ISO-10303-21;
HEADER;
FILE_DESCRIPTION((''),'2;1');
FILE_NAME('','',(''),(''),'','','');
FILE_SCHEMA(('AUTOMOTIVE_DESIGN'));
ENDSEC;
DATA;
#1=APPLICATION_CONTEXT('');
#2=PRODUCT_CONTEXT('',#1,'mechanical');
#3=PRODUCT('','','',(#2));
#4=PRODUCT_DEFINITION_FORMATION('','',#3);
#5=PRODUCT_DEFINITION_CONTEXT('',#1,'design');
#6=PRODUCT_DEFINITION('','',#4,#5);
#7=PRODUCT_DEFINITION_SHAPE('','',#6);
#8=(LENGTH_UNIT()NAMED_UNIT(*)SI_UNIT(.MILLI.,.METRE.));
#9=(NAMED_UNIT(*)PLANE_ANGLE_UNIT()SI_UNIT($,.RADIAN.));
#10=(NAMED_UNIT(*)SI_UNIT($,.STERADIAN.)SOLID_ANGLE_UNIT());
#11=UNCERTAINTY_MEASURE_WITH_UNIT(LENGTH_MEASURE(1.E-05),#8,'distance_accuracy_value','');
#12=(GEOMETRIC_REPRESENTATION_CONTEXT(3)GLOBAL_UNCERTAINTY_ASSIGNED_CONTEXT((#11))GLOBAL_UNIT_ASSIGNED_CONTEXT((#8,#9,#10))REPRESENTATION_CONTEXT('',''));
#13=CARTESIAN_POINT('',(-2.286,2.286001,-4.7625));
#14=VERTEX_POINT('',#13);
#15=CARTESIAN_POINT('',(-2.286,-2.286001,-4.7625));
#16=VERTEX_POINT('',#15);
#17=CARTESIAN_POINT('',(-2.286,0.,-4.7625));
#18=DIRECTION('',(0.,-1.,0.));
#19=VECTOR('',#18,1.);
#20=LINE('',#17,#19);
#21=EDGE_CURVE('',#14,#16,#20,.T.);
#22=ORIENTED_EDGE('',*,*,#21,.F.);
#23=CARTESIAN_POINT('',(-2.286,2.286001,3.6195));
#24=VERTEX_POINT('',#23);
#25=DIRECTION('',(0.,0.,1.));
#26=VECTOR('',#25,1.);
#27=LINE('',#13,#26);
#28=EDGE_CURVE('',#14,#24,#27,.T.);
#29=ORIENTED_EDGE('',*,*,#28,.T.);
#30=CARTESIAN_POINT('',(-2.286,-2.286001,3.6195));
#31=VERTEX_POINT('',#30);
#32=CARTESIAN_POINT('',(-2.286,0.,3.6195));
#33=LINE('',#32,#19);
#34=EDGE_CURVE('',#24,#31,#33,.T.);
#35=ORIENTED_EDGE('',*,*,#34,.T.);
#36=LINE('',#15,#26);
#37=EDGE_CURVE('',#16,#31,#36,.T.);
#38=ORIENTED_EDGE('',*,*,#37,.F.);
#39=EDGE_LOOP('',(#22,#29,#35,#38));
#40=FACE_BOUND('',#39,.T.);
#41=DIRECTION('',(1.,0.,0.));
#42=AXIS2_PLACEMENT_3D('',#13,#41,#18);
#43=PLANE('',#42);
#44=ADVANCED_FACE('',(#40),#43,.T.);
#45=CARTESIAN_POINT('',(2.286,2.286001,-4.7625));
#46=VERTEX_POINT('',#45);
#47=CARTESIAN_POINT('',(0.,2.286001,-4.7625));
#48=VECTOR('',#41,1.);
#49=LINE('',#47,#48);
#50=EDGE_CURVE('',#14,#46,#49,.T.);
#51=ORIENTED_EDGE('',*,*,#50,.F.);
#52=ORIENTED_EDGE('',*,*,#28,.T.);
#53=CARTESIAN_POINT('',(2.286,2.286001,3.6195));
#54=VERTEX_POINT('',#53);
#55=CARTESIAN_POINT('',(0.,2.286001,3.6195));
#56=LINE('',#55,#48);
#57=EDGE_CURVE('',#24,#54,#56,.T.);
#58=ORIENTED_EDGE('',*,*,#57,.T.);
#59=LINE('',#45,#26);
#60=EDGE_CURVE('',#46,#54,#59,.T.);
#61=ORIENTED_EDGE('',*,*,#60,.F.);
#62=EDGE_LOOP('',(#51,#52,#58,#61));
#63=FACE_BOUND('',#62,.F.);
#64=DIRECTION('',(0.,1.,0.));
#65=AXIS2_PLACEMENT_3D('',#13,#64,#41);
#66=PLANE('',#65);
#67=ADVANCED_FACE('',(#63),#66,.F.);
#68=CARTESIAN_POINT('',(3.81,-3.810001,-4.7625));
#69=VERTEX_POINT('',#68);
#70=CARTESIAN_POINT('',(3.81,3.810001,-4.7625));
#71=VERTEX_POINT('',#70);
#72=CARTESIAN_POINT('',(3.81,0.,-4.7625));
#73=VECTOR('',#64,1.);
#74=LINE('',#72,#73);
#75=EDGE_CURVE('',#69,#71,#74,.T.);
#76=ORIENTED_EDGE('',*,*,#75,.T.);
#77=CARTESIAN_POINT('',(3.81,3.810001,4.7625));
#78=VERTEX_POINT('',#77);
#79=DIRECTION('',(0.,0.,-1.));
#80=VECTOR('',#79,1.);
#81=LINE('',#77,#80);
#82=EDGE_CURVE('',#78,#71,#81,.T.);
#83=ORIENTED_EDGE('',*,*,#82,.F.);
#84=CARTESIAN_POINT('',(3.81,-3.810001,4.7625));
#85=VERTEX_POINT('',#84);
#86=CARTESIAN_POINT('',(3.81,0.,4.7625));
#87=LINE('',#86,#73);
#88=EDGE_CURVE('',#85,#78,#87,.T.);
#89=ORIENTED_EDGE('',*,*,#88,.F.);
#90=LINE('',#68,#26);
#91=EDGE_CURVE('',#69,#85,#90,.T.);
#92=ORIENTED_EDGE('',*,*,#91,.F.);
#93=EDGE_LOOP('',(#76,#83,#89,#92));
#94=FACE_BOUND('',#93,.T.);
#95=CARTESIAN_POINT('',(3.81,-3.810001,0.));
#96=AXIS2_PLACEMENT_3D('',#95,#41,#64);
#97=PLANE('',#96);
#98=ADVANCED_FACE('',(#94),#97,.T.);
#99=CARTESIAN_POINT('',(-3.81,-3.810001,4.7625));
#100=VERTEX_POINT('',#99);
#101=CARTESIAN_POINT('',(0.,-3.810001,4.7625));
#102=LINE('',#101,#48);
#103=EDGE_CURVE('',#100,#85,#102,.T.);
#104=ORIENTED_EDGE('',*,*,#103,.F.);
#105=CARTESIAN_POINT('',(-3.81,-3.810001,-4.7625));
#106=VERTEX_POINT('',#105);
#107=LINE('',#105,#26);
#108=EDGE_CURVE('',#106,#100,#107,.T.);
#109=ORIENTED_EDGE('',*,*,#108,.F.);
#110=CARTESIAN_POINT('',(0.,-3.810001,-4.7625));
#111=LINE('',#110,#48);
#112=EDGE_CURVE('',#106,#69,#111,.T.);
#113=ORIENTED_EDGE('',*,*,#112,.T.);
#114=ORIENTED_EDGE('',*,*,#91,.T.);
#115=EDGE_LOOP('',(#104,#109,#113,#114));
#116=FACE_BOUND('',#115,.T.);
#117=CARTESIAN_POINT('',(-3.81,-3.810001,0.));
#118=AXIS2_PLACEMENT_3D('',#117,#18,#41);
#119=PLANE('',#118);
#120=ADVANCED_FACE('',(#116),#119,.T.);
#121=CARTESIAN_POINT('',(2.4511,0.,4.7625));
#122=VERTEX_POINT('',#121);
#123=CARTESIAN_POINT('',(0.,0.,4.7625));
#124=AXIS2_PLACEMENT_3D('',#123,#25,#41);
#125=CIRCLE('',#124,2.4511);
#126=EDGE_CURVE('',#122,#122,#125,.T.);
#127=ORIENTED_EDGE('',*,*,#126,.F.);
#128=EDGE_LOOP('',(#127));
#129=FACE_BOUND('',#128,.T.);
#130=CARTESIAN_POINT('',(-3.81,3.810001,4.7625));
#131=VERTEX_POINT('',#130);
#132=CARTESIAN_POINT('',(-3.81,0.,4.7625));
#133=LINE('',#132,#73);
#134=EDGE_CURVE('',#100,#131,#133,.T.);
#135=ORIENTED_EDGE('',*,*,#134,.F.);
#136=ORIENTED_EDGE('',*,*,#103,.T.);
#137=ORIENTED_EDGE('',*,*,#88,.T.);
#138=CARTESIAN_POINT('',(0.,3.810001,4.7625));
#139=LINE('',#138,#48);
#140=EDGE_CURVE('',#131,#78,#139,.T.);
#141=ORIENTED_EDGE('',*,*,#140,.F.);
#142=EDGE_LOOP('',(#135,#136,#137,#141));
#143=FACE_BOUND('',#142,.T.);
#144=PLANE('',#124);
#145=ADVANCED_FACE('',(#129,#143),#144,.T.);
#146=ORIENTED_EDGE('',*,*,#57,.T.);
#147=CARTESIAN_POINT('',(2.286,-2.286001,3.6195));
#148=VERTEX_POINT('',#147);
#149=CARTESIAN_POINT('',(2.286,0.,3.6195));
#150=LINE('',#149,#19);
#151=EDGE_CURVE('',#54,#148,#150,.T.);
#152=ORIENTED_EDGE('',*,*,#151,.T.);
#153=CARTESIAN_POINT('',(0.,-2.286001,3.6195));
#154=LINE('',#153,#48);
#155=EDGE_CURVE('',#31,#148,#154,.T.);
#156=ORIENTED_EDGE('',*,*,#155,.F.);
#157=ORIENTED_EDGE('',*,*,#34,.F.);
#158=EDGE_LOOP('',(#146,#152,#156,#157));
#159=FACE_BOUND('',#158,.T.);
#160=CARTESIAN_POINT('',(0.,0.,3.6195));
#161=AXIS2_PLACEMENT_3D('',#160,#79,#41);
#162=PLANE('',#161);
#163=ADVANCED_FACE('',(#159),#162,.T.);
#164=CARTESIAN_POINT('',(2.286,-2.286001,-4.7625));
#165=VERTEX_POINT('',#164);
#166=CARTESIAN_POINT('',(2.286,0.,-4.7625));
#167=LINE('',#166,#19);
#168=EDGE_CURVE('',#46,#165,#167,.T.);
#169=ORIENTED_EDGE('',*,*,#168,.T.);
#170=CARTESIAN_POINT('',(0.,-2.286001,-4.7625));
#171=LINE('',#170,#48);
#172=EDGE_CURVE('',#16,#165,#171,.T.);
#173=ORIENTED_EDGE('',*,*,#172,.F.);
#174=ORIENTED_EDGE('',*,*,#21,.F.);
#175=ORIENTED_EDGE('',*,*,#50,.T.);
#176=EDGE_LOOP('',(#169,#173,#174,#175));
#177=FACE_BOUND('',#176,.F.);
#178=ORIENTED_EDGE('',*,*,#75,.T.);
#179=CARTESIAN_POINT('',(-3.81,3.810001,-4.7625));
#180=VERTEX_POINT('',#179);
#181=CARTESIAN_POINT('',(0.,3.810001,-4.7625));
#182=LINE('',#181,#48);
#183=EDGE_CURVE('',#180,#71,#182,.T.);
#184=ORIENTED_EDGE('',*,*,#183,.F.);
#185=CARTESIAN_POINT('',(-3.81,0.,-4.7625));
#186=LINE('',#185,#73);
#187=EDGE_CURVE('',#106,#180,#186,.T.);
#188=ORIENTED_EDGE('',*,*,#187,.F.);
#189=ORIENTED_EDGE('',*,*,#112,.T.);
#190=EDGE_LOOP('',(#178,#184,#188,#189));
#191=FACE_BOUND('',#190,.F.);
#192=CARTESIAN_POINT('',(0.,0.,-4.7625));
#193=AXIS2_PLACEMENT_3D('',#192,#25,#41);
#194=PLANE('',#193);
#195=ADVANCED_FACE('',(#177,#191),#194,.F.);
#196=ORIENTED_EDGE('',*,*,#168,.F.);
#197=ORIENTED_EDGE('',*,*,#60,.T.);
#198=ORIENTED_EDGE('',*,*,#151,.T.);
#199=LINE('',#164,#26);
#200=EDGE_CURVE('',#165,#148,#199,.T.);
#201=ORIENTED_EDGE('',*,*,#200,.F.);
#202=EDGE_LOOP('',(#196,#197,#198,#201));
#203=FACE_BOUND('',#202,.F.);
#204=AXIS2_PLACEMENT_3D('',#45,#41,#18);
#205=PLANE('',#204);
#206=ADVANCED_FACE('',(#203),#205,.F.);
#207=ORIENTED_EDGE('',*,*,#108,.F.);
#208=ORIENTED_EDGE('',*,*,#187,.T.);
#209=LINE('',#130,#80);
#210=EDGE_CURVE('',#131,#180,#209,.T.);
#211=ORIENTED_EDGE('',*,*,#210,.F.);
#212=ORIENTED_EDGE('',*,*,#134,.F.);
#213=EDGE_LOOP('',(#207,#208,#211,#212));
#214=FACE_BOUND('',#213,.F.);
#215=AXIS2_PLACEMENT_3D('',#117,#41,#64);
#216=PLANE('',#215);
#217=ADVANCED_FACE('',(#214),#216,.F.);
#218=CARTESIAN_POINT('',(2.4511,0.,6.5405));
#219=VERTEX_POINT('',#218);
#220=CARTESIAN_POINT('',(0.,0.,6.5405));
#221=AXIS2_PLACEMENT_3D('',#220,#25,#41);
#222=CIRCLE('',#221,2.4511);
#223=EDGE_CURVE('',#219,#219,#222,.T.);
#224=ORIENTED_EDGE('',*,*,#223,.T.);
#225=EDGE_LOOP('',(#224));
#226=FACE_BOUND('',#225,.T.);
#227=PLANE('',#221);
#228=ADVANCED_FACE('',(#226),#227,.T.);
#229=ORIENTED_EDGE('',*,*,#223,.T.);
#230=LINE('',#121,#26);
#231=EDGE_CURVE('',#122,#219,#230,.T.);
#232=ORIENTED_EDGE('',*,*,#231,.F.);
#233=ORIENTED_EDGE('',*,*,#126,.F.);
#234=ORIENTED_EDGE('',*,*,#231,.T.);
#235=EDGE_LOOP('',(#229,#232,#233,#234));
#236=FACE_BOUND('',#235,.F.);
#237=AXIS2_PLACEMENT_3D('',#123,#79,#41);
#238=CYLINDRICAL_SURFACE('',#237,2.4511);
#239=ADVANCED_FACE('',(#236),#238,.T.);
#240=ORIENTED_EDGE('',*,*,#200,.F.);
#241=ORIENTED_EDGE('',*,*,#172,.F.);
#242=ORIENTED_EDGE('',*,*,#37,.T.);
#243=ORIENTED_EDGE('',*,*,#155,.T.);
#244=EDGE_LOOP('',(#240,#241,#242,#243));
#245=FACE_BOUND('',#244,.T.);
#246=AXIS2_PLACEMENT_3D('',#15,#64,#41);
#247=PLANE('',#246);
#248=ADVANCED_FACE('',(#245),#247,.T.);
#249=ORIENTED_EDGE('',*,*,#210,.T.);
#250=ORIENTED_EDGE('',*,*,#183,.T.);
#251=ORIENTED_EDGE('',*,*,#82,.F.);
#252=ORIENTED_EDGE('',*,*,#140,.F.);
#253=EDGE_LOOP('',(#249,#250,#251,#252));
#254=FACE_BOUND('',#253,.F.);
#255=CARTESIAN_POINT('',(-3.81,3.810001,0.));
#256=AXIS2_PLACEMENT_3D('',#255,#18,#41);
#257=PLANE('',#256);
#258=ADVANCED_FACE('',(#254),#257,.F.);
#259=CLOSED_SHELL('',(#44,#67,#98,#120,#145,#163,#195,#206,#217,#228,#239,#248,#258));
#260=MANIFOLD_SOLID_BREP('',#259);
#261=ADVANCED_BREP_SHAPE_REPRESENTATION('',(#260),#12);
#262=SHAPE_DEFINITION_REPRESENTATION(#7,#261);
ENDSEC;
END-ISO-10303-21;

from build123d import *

# Parameters (mm, degrees)
F0_W     = 7.62
F0_H     = 7.620002
F1_DEPTH = 4.7625
F2_R     = 2.4511
F3_DEPTH = 1.778
F4_W     = 4.572
F4_H     = 4.572002
F5_DEPTH = 8.382


with BuildPart() as f1:
    # F0 (on Top) → F1 (new body, symmetric)
    with BuildSketch(Plane.XY):
        Rectangle(F0_W, F0_H)
    extrude(amount=F1_DEPTH, both=True)

    # F2 (on face) → F3 (join)
    with BuildSketch(Plane.XY.offset(4.7625)):
        Circle(F2_R)
    extrude(amount=F3_DEPTH)

    # F4 (on face) → F5 (cut)
    with BuildSketch(Plane(origin=(0, 0, -4.7625), x_dir=(1, 0, 0), z_dir=(0, 0, -1))):
        Rectangle(F4_W, F4_H)
    extrude(amount=-F5_DEPTH, mode=Mode.SUBTRACT)


solid = f1.part
